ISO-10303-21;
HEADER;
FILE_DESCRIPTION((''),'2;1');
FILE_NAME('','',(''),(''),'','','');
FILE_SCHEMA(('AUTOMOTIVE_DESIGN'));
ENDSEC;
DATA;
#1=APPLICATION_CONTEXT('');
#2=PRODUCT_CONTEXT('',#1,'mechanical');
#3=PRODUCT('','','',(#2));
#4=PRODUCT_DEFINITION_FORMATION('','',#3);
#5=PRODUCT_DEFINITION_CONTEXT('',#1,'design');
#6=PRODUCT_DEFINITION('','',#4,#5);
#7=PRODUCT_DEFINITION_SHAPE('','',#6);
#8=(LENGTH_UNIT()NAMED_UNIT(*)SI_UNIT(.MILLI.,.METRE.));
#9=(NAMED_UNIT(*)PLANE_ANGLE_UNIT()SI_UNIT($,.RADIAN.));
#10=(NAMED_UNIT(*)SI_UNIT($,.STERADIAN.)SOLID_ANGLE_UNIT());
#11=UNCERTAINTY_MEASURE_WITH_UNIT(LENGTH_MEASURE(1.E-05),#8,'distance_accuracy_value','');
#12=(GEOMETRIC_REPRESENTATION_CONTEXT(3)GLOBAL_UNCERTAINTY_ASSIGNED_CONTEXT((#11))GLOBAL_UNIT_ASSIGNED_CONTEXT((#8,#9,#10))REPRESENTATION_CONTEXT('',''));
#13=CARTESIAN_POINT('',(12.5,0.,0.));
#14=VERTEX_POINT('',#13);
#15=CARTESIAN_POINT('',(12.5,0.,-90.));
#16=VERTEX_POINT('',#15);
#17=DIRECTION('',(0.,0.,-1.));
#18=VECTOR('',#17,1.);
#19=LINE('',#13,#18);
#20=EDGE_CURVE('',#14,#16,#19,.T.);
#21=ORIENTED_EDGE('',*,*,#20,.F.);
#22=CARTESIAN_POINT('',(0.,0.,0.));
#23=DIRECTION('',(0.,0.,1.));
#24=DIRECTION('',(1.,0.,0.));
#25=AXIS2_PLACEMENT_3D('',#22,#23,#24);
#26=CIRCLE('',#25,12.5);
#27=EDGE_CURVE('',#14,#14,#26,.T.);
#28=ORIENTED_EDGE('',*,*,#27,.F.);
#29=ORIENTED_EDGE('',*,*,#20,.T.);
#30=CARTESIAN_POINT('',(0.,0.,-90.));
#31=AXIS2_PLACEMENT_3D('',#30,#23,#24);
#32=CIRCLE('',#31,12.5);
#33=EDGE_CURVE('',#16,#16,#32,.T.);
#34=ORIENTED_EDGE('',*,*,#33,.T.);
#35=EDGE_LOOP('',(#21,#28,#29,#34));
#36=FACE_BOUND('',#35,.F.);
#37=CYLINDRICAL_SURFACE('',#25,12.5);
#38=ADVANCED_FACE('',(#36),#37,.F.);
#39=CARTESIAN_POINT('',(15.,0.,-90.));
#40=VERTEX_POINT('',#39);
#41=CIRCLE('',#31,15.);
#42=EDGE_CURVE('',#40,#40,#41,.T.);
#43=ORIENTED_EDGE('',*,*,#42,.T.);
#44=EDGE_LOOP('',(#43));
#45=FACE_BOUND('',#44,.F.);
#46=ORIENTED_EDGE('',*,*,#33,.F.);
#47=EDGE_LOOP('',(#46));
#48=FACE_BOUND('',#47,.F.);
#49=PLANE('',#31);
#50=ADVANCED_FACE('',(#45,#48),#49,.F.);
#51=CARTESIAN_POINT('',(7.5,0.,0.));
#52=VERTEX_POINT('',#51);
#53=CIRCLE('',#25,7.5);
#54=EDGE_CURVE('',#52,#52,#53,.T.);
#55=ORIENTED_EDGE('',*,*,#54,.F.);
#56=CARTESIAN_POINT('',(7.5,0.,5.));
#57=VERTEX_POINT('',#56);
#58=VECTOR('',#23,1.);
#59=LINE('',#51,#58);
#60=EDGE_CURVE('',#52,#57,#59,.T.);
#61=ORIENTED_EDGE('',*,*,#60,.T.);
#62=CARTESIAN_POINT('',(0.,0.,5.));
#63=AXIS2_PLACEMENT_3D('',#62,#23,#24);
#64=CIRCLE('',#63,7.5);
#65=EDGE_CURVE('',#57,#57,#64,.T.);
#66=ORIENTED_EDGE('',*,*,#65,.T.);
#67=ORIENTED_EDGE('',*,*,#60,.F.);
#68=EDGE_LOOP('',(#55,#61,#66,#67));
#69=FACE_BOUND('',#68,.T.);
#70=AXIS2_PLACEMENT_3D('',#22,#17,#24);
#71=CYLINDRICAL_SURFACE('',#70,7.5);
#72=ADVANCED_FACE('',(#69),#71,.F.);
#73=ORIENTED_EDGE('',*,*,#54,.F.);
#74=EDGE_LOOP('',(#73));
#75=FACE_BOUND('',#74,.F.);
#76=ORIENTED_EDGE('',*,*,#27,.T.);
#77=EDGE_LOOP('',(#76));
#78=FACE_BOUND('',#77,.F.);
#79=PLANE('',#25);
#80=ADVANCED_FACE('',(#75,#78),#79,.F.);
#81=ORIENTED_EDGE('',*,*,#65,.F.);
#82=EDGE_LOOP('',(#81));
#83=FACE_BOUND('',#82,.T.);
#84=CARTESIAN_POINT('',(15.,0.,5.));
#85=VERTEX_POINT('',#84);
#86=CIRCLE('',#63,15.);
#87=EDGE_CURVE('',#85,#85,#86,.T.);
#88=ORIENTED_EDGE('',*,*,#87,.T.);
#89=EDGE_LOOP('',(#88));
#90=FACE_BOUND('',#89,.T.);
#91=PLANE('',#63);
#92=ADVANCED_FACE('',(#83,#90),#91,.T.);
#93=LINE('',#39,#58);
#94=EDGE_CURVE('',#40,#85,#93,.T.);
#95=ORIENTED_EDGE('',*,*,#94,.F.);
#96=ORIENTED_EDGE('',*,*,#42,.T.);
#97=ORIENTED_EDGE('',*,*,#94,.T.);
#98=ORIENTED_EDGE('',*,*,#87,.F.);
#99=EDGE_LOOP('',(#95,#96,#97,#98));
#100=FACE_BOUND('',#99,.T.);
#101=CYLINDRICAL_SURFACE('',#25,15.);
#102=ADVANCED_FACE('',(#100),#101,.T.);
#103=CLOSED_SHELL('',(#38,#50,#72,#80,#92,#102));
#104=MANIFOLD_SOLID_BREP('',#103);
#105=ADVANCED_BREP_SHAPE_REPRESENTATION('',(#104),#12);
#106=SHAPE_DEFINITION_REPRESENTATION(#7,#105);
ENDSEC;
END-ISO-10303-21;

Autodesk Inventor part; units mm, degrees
ref_plane "YZ Plane" through (0, 0, 0) normal (1, 0, 0) x (0, 1, 0)
ref_plane "XZ Plane" through (0, 0, 0) normal (0, 1, 0) x (-1, 0, 0)
ref_plane "XY Plane" through (0, 0, 0) normal (0, 0, 1) x (1, 0, 0)
sketch "Sketch1" plane through (0, 0, 0) normal (0, 0, 1) x (1, 0, 0)
  circle A0 centre (0, 0) radius 12.5 projected
  circle A1 centre (0, 0) radius 15
  dimension "d0" = 30
extrude "Extrusion1" add sketch "Sketch1" against normal blind 90
sketch "Sketch2" plane through (0, 0, 0) normal (0, 0, 1) x (1, 0, 0)
  circle A0 centre (0, 0) radius 15
  circle A1 centre (0, 0) radius 5 projected
  circle A2 centre (0, 0) radius 7.5
  dimension "d3" = 15
  dimension "d4" = 30
extrude "Extrusion2" add sketch "Sketch2" along normal blind 5 contours A0
properties part number "motor casing"
